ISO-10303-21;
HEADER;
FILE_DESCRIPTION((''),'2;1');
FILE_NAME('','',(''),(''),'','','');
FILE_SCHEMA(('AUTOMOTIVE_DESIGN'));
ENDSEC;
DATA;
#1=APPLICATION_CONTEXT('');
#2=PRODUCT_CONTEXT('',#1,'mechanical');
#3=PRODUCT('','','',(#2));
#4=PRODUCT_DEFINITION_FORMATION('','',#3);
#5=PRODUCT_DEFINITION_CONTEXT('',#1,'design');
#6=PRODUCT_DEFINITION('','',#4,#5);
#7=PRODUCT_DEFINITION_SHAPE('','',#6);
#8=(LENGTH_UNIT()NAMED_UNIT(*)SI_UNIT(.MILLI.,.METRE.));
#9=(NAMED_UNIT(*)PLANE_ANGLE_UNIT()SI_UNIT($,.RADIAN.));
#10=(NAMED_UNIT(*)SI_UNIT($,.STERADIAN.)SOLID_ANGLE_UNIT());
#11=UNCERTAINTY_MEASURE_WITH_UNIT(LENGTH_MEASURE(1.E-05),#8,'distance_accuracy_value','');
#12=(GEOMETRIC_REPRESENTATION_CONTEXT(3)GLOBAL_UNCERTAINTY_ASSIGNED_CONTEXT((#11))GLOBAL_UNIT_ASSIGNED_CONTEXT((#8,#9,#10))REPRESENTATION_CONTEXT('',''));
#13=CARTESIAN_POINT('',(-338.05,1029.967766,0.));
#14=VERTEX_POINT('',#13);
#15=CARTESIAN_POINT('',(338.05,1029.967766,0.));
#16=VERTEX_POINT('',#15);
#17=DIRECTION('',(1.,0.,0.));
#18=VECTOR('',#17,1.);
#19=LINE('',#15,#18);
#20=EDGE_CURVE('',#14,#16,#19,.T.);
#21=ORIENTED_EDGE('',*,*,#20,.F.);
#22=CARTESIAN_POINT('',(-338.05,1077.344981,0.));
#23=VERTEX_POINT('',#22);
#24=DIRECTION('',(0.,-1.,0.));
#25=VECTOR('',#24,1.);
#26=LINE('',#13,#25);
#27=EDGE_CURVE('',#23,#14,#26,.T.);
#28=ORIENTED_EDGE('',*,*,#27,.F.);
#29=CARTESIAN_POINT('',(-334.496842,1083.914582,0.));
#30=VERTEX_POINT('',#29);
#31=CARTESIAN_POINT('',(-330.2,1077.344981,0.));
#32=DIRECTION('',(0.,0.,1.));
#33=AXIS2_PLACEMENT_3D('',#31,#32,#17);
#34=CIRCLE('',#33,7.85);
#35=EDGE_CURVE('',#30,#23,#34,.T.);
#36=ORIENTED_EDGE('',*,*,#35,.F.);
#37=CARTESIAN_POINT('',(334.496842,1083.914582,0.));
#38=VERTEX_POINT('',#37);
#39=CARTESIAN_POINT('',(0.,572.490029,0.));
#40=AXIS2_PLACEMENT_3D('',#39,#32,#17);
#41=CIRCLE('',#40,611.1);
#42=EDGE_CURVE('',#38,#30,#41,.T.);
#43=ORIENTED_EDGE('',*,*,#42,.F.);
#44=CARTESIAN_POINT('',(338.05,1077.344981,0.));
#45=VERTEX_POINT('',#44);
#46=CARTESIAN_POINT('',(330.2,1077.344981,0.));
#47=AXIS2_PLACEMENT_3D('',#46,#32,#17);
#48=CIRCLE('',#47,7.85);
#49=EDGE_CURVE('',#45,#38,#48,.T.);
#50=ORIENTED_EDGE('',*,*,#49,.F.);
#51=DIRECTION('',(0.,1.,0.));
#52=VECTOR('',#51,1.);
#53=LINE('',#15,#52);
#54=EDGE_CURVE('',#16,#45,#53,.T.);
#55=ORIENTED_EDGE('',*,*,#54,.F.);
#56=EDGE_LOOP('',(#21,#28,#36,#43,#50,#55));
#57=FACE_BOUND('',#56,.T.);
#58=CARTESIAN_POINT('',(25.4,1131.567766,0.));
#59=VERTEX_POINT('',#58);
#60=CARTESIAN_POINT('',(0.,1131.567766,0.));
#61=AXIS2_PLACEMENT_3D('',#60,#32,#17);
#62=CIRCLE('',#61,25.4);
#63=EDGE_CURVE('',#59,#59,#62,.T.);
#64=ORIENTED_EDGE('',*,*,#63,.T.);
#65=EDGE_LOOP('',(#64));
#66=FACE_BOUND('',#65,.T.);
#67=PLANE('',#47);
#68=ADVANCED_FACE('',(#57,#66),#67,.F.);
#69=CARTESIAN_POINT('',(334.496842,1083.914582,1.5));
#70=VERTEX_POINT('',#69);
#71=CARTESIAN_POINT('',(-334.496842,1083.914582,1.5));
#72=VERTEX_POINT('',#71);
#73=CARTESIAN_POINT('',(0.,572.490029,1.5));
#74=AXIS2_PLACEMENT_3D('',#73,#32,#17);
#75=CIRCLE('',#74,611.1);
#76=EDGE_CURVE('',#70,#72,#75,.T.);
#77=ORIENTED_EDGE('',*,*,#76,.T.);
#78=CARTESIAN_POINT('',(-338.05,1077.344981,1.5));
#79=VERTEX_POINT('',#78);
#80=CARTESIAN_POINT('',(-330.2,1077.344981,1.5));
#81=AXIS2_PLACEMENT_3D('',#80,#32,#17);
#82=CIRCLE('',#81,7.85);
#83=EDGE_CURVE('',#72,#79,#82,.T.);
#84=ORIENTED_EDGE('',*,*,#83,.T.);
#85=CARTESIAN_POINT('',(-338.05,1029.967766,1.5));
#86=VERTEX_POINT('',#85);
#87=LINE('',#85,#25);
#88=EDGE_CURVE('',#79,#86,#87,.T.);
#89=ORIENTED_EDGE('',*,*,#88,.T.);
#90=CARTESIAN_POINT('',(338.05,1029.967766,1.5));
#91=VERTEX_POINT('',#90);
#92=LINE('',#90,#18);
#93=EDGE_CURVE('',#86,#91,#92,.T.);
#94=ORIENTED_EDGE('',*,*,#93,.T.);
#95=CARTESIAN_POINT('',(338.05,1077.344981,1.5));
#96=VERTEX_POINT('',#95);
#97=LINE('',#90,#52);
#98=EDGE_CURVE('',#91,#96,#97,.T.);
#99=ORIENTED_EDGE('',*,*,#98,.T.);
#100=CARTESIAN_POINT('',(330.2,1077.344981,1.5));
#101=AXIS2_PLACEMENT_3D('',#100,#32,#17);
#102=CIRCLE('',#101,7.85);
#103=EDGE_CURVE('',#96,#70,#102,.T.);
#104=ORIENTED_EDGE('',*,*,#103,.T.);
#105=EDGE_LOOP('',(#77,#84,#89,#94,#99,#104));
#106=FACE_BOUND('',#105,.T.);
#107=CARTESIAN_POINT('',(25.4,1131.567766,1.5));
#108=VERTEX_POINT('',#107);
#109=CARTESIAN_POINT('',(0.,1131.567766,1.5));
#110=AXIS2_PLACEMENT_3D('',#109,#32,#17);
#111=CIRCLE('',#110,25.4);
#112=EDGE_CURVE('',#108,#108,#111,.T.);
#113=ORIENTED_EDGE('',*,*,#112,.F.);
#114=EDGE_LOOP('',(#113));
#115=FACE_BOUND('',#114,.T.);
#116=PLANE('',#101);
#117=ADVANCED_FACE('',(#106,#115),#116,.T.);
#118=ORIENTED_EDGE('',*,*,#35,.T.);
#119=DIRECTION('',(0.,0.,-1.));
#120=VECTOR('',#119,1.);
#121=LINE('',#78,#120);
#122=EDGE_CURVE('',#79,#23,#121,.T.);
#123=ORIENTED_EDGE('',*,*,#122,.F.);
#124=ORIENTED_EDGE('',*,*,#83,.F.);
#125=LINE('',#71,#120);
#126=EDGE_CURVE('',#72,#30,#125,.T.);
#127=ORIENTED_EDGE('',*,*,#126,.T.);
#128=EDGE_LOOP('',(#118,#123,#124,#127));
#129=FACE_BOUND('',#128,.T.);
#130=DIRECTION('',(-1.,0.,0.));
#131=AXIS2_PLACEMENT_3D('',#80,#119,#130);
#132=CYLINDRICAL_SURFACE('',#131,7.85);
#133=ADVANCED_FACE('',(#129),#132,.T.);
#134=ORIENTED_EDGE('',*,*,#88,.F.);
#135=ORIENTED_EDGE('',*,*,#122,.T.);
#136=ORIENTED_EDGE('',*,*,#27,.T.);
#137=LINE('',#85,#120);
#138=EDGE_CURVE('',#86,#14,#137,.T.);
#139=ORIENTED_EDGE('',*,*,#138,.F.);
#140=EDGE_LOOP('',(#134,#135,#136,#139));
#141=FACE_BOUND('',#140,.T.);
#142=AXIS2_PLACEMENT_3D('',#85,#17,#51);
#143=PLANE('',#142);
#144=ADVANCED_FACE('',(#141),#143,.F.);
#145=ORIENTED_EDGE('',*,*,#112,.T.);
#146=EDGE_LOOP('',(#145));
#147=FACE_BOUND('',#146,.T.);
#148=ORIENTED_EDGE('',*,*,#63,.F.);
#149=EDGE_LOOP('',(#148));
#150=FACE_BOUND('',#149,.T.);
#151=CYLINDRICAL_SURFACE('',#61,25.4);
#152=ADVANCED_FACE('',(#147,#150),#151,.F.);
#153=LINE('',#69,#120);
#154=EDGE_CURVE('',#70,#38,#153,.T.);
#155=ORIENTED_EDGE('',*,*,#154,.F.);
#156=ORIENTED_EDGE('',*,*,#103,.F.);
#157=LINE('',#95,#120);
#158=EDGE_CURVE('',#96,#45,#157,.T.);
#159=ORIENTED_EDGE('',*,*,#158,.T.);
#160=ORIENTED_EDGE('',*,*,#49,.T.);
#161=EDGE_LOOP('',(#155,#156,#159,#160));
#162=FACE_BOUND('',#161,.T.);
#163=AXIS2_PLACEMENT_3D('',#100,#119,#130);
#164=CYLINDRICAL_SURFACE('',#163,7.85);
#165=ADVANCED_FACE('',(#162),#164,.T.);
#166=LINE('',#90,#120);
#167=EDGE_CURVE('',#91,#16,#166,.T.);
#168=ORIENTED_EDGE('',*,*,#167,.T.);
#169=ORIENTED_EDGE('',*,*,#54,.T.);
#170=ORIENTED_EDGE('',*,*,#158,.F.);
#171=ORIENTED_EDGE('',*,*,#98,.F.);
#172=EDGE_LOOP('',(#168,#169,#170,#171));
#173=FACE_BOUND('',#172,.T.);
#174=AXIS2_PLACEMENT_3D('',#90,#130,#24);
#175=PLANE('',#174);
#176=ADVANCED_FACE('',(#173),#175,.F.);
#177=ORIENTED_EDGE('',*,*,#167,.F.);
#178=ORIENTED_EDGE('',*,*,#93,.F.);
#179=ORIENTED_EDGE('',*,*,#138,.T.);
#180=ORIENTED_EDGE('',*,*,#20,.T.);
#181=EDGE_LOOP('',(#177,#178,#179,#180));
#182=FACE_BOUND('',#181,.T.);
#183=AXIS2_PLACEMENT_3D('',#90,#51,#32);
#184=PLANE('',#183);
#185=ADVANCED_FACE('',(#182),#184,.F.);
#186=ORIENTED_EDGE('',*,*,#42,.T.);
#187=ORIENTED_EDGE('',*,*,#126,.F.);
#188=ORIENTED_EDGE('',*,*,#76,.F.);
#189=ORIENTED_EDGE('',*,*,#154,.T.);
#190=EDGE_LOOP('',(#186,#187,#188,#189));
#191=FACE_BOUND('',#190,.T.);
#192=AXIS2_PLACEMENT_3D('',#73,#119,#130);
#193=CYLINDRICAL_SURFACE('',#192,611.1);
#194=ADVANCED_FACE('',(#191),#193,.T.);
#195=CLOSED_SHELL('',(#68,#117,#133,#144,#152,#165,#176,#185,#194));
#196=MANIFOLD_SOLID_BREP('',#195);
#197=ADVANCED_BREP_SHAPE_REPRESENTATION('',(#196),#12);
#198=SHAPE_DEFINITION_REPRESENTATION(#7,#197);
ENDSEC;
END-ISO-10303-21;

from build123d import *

# Parameters (mm, degrees)
EXTRUDE1_DEPTH     = 1.5
SKETCH2_R          = 25.4
CUT_EXTRUDE1_DEPTH = 2.5


with BuildPart() as part:
    # Sketch1 → Extrude1 (new body)
    with BuildSketch(Plane.XY):
        with BuildLine():
            Line((-338.05, 1029.967766013), (-338.05, 1077.344981378))
            ThreePointArc((-338.05, 1077.344981378), (-337.104806678, 1081.079435118), (-334.496842105, 1083.914581664))
            ThreePointArc((-334.496842105, 1083.914581664), (0, 1183.590029436), (334.496842105, 1083.914581664))
            ThreePointArc((334.496842105, 1083.914581664), (337.104806678, 1081.079435118), (338.05, 1077.344981378))
            Line((338.05, 1077.344981378), (338.05, 1029.967766013))
            Line((338.05, 1029.967766013), (-338.05, 1029.967766013))
        make_face()
    extrude(amount=EXTRUDE1_DEPTH)

    # Sketch2 → Cut-Extrude1 (cut, through all)
    with BuildSketch(Plane.XY.offset(1.5)):
        with Locations((0, 1131.567766013)):
            Circle(SKETCH2_R)
    extrude(amount=-CUT_EXTRUDE1_DEPTH, mode=Mode.SUBTRACT)


solid = part.part
